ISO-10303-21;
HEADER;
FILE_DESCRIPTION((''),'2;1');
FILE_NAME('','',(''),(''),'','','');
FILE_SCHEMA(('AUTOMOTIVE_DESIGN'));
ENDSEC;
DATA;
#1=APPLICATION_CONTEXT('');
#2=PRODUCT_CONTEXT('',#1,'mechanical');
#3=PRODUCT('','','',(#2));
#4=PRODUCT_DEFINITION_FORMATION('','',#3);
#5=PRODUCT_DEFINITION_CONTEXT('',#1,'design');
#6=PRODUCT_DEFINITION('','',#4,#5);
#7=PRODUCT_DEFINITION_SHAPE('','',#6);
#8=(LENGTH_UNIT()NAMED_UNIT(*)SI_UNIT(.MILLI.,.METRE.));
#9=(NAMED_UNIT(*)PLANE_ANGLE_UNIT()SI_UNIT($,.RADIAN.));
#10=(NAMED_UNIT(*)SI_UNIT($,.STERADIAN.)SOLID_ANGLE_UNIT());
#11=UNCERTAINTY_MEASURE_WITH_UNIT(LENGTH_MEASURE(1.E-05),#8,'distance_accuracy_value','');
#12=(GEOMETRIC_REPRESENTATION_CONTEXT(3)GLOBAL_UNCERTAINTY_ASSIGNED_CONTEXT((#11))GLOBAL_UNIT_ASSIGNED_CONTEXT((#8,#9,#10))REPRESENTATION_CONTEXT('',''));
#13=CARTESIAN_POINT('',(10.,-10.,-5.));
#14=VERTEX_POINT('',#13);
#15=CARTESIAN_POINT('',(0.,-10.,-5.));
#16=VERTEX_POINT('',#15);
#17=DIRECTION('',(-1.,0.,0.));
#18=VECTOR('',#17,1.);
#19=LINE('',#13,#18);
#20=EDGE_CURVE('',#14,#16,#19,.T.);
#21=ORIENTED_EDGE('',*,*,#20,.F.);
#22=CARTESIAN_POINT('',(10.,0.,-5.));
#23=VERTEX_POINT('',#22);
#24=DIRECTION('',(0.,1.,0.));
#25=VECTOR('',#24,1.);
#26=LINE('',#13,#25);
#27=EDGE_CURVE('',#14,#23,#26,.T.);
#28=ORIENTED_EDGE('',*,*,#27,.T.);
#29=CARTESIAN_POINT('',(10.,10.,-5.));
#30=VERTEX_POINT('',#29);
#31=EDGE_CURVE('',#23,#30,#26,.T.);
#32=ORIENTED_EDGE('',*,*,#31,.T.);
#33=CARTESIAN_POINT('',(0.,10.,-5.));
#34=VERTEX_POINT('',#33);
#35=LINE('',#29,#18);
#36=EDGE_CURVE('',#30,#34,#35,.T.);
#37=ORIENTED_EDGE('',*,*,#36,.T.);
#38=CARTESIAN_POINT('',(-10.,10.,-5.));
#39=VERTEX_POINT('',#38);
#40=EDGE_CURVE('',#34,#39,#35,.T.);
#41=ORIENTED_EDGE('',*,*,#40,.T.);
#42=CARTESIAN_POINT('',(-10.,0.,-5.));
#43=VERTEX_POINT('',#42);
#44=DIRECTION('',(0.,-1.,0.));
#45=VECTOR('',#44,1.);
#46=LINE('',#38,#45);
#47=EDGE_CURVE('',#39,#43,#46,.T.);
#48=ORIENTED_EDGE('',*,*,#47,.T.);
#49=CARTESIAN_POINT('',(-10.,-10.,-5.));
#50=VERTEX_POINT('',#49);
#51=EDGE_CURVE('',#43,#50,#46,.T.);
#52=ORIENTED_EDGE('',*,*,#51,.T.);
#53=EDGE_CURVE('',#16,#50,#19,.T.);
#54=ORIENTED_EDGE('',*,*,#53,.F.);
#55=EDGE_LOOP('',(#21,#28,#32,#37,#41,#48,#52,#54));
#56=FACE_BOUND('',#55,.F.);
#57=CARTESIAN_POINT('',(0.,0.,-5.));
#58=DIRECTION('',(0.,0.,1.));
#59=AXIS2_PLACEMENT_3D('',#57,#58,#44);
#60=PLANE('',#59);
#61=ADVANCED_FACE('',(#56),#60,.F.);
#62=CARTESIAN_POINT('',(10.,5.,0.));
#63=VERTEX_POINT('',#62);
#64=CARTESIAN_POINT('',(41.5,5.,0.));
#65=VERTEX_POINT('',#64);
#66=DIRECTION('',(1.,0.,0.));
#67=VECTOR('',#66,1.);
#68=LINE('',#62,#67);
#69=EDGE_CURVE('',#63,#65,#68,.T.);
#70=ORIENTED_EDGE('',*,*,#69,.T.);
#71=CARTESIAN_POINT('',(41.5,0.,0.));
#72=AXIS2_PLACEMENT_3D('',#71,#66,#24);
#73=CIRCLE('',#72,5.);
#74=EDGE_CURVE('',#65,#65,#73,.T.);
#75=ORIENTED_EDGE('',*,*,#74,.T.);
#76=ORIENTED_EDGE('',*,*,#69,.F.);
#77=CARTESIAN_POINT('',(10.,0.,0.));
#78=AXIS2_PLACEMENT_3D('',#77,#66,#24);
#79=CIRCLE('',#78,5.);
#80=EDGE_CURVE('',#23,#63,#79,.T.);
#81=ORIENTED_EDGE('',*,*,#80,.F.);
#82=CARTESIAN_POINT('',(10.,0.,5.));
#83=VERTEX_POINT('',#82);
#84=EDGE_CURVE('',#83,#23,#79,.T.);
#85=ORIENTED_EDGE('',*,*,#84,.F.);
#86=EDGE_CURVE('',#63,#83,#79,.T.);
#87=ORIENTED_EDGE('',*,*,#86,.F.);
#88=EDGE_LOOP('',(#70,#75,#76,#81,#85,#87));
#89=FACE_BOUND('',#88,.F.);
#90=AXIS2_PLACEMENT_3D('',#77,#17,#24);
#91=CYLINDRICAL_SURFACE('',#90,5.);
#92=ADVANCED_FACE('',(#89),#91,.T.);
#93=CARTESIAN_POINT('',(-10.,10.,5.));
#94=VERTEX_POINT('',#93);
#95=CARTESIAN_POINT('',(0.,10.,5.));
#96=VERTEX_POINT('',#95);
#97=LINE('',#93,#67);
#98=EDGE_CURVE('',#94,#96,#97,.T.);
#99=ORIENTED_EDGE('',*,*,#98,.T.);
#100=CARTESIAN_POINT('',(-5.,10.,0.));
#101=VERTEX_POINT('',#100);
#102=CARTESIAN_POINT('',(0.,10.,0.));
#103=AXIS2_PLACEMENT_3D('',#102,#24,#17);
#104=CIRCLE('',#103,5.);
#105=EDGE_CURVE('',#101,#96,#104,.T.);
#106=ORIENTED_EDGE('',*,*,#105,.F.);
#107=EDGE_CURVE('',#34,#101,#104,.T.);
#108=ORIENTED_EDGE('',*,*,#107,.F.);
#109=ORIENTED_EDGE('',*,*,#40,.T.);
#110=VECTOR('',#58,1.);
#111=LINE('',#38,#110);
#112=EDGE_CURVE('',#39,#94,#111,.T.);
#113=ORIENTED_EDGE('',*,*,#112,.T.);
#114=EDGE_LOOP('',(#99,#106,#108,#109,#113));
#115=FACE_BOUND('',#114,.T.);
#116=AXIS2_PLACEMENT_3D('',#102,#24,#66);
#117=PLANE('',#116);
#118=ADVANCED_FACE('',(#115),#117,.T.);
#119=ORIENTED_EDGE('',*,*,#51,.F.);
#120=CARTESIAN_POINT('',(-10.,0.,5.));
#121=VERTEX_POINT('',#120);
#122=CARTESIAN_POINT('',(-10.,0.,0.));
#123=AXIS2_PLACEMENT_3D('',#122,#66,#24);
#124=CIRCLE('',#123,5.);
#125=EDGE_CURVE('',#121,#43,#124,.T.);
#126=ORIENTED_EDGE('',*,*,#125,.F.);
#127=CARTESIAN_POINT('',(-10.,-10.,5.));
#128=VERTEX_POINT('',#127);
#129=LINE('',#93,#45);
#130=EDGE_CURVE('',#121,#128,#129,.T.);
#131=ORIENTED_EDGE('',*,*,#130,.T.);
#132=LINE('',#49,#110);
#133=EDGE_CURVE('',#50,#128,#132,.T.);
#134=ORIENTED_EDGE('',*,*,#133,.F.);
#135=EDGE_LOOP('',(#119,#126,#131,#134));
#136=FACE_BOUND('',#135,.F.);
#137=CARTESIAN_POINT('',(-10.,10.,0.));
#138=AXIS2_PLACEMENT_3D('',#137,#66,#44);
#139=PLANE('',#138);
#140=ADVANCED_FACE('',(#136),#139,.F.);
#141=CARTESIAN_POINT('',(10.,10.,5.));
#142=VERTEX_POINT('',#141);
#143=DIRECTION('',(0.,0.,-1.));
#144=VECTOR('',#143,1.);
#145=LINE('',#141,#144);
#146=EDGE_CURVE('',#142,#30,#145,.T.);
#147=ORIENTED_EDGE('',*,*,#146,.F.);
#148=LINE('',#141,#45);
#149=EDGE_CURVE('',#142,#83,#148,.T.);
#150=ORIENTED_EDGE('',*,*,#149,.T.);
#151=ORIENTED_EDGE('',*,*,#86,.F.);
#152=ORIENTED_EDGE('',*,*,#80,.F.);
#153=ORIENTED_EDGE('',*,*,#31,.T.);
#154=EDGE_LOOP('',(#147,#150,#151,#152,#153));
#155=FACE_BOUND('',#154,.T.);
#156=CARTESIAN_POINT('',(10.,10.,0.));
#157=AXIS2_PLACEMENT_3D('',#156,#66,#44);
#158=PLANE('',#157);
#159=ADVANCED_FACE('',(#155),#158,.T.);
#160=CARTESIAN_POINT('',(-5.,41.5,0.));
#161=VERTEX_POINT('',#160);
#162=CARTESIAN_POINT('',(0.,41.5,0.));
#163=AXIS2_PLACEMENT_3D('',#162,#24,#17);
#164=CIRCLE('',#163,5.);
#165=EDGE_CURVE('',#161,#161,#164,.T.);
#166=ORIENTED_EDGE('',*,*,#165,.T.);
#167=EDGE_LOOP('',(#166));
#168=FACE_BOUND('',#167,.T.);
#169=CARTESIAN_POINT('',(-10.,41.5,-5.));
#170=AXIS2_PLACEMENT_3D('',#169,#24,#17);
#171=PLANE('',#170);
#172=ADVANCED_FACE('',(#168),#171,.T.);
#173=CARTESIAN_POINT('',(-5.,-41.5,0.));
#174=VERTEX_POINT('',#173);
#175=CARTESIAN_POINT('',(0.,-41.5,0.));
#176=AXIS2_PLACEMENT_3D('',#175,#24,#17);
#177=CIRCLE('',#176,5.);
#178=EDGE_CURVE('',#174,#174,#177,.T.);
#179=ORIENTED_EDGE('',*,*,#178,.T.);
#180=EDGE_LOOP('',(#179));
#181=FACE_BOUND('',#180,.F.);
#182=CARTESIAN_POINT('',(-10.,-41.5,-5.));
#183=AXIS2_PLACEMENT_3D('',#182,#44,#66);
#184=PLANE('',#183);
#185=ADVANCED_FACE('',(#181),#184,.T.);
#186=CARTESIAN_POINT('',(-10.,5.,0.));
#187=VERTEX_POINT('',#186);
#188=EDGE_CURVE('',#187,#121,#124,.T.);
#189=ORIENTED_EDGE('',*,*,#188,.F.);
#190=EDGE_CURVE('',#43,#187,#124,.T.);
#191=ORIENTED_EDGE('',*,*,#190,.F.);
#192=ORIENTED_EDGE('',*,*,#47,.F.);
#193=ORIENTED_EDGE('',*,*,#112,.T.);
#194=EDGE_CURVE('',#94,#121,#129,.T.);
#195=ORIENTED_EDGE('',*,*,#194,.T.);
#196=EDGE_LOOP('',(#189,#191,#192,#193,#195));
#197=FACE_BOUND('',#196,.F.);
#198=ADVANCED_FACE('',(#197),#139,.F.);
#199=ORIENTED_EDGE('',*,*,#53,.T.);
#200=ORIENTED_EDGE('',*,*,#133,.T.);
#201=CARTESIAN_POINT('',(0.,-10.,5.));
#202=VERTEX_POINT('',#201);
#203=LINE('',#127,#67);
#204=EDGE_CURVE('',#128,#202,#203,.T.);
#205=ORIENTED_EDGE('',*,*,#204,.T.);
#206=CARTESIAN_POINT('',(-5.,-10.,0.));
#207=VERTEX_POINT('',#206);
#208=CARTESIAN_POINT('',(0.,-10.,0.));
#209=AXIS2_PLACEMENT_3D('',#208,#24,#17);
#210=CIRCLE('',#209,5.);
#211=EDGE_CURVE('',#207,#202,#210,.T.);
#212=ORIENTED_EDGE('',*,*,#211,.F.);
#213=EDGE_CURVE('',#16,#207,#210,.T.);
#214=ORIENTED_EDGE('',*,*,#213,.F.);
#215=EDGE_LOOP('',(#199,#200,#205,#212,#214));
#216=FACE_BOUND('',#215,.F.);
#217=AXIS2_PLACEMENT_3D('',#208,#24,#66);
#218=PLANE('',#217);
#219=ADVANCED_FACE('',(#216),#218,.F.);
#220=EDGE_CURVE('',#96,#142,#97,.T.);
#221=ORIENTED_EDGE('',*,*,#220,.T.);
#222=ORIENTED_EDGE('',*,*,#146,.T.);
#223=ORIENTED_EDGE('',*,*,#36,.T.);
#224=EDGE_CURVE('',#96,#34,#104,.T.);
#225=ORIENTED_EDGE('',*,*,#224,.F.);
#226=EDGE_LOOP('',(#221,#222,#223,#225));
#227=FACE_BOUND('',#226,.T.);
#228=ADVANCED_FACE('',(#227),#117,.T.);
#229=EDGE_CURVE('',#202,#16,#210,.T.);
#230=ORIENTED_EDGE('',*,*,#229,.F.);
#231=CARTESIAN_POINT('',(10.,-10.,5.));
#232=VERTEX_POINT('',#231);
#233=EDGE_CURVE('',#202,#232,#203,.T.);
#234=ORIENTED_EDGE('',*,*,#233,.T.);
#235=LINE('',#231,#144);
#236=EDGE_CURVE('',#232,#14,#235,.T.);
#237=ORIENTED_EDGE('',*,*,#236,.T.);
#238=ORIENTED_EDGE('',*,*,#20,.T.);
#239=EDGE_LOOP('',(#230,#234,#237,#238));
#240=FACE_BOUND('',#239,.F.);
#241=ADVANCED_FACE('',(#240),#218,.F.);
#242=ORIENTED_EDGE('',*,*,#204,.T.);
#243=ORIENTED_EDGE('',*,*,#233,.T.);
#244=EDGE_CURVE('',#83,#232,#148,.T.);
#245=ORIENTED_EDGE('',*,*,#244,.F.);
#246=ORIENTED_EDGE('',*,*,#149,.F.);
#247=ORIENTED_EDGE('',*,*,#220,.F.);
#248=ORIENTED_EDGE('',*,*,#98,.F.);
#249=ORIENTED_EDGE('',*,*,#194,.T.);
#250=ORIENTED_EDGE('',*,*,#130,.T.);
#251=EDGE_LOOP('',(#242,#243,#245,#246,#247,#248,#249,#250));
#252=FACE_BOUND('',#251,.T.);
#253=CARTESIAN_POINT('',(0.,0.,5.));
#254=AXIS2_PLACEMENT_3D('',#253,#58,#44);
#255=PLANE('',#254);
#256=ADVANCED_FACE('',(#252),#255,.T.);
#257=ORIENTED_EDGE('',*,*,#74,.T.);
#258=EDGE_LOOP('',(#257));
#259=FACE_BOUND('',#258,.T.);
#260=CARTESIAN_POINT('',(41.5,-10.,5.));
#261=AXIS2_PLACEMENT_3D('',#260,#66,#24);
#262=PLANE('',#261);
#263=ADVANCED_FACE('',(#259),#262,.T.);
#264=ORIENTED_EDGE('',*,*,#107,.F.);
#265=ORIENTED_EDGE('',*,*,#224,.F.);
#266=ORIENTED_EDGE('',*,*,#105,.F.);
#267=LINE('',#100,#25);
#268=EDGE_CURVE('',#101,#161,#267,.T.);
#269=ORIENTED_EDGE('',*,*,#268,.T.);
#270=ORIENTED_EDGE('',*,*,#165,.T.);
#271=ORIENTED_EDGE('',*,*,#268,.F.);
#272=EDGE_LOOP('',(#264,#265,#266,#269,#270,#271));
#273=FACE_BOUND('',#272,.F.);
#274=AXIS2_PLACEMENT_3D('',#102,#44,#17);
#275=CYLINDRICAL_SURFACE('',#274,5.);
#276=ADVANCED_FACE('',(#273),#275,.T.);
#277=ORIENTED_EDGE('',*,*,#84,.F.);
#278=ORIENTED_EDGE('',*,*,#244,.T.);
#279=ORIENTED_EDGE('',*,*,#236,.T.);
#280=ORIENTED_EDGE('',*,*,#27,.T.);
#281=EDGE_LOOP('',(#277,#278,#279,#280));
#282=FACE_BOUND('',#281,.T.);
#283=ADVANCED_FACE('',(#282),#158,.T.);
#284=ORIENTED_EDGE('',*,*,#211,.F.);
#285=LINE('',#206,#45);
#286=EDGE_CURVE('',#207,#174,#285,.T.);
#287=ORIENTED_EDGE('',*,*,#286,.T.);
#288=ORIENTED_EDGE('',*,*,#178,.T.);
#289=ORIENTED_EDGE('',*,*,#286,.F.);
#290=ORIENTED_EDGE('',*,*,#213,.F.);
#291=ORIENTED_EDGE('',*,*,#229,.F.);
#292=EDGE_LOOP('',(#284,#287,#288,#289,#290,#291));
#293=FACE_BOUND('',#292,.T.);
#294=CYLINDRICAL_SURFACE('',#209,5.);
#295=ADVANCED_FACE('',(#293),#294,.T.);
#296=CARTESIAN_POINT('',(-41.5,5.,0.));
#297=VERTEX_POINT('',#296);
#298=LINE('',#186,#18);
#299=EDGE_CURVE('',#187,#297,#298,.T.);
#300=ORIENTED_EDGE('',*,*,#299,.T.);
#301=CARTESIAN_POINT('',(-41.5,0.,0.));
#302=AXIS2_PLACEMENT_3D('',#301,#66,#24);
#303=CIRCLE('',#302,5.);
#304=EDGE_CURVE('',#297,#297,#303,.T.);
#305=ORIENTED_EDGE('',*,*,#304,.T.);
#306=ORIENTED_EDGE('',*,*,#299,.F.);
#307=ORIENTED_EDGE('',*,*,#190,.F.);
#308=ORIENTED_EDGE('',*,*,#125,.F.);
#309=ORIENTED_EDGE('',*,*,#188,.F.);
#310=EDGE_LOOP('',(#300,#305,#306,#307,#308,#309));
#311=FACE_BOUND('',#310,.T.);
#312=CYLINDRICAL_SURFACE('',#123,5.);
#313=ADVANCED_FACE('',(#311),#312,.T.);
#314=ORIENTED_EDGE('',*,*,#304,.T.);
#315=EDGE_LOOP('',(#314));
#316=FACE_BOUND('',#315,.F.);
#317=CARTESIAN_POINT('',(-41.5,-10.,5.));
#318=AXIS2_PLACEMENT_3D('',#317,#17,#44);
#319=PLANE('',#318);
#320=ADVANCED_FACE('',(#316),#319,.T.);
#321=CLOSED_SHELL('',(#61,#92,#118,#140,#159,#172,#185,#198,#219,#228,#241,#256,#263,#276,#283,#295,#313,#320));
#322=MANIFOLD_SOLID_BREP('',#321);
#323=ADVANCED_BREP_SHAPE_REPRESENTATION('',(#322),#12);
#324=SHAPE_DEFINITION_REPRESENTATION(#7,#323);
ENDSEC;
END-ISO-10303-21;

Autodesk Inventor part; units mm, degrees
ref_plane "YZ Plane" through (0, 0, 0) normal (1, 0, 0) x (0, 1, 0)
ref_plane "XZ Plane" through (0, 0, 0) normal (0, 1, 0) x (-1, 0, 0)
ref_plane "XY Plane" through (0, 0, 0) normal (0, 0, 1) x (1, 0, 0)
sketch "Sketch1" plane through (0, 0, 0) normal (0, 1, 0) x (-1, 0, 0)
  line L0 (0, 0) -> (-10, 0) construction
  line L1 (-10, 0) -> (-10, -10)
  line L2 (-10, -10) -> (0, -10)
  line L3 (0, -10) -> (0, 0) construction
  line L4 (-10, 0) -> (-10, 10)
  line L5 (-10, 10) -> (0, 10)
  line L6 (10, 0) -> (10, -10)
  line L7 (10, -10) -> (0, -10)
  line L8 (10, 10) -> (0, 10)
  line L9 (10, 0) -> (10, 10)
  dimension "d0" = 10
extrude "Extrusion1" add sketch "Sketch1" along normal mid plane 10
sketch "Sketch2" plane through (-10, 5, 10) normal (0, 0, 1) x (1, 0, 0)
  circle A0 centre (10, -5) radius 5
  dimension "d4" = 10
extrude "Extrusion2" add sketch "Sketch2" along normal blind 31.5
mirror "Mirror1" about plane through (0, 0, 0) normal (0, 0, 1) of "Extrusion2"
sketch "Sketch3" plane through (10, -5, -10) normal (1, 0, 0) x (0, 0, -1)
  circle A0 centre (-10, 5) radius 5
  dimension "d8" = 10
extrude "Extrusion3" add sketch "Sketch3" along normal blind 31.5
mirror "Mirror2" about plane through (0, 0, 0) normal (1, 0, 0) of "Extrusion3"
move or copy body "Move Body1" bodies to move or copy 1 copy no rotation origin (0, 0, 0) rotation axis (1, 0, 0) rotation angle 90
move or copy body "Move Body2" bodies to move or copy 1 copy no rotation origin (0, 0, 0) rotation axis (0, 0, 1) rotation angle 90
properties part number "HipRoll_v2"
